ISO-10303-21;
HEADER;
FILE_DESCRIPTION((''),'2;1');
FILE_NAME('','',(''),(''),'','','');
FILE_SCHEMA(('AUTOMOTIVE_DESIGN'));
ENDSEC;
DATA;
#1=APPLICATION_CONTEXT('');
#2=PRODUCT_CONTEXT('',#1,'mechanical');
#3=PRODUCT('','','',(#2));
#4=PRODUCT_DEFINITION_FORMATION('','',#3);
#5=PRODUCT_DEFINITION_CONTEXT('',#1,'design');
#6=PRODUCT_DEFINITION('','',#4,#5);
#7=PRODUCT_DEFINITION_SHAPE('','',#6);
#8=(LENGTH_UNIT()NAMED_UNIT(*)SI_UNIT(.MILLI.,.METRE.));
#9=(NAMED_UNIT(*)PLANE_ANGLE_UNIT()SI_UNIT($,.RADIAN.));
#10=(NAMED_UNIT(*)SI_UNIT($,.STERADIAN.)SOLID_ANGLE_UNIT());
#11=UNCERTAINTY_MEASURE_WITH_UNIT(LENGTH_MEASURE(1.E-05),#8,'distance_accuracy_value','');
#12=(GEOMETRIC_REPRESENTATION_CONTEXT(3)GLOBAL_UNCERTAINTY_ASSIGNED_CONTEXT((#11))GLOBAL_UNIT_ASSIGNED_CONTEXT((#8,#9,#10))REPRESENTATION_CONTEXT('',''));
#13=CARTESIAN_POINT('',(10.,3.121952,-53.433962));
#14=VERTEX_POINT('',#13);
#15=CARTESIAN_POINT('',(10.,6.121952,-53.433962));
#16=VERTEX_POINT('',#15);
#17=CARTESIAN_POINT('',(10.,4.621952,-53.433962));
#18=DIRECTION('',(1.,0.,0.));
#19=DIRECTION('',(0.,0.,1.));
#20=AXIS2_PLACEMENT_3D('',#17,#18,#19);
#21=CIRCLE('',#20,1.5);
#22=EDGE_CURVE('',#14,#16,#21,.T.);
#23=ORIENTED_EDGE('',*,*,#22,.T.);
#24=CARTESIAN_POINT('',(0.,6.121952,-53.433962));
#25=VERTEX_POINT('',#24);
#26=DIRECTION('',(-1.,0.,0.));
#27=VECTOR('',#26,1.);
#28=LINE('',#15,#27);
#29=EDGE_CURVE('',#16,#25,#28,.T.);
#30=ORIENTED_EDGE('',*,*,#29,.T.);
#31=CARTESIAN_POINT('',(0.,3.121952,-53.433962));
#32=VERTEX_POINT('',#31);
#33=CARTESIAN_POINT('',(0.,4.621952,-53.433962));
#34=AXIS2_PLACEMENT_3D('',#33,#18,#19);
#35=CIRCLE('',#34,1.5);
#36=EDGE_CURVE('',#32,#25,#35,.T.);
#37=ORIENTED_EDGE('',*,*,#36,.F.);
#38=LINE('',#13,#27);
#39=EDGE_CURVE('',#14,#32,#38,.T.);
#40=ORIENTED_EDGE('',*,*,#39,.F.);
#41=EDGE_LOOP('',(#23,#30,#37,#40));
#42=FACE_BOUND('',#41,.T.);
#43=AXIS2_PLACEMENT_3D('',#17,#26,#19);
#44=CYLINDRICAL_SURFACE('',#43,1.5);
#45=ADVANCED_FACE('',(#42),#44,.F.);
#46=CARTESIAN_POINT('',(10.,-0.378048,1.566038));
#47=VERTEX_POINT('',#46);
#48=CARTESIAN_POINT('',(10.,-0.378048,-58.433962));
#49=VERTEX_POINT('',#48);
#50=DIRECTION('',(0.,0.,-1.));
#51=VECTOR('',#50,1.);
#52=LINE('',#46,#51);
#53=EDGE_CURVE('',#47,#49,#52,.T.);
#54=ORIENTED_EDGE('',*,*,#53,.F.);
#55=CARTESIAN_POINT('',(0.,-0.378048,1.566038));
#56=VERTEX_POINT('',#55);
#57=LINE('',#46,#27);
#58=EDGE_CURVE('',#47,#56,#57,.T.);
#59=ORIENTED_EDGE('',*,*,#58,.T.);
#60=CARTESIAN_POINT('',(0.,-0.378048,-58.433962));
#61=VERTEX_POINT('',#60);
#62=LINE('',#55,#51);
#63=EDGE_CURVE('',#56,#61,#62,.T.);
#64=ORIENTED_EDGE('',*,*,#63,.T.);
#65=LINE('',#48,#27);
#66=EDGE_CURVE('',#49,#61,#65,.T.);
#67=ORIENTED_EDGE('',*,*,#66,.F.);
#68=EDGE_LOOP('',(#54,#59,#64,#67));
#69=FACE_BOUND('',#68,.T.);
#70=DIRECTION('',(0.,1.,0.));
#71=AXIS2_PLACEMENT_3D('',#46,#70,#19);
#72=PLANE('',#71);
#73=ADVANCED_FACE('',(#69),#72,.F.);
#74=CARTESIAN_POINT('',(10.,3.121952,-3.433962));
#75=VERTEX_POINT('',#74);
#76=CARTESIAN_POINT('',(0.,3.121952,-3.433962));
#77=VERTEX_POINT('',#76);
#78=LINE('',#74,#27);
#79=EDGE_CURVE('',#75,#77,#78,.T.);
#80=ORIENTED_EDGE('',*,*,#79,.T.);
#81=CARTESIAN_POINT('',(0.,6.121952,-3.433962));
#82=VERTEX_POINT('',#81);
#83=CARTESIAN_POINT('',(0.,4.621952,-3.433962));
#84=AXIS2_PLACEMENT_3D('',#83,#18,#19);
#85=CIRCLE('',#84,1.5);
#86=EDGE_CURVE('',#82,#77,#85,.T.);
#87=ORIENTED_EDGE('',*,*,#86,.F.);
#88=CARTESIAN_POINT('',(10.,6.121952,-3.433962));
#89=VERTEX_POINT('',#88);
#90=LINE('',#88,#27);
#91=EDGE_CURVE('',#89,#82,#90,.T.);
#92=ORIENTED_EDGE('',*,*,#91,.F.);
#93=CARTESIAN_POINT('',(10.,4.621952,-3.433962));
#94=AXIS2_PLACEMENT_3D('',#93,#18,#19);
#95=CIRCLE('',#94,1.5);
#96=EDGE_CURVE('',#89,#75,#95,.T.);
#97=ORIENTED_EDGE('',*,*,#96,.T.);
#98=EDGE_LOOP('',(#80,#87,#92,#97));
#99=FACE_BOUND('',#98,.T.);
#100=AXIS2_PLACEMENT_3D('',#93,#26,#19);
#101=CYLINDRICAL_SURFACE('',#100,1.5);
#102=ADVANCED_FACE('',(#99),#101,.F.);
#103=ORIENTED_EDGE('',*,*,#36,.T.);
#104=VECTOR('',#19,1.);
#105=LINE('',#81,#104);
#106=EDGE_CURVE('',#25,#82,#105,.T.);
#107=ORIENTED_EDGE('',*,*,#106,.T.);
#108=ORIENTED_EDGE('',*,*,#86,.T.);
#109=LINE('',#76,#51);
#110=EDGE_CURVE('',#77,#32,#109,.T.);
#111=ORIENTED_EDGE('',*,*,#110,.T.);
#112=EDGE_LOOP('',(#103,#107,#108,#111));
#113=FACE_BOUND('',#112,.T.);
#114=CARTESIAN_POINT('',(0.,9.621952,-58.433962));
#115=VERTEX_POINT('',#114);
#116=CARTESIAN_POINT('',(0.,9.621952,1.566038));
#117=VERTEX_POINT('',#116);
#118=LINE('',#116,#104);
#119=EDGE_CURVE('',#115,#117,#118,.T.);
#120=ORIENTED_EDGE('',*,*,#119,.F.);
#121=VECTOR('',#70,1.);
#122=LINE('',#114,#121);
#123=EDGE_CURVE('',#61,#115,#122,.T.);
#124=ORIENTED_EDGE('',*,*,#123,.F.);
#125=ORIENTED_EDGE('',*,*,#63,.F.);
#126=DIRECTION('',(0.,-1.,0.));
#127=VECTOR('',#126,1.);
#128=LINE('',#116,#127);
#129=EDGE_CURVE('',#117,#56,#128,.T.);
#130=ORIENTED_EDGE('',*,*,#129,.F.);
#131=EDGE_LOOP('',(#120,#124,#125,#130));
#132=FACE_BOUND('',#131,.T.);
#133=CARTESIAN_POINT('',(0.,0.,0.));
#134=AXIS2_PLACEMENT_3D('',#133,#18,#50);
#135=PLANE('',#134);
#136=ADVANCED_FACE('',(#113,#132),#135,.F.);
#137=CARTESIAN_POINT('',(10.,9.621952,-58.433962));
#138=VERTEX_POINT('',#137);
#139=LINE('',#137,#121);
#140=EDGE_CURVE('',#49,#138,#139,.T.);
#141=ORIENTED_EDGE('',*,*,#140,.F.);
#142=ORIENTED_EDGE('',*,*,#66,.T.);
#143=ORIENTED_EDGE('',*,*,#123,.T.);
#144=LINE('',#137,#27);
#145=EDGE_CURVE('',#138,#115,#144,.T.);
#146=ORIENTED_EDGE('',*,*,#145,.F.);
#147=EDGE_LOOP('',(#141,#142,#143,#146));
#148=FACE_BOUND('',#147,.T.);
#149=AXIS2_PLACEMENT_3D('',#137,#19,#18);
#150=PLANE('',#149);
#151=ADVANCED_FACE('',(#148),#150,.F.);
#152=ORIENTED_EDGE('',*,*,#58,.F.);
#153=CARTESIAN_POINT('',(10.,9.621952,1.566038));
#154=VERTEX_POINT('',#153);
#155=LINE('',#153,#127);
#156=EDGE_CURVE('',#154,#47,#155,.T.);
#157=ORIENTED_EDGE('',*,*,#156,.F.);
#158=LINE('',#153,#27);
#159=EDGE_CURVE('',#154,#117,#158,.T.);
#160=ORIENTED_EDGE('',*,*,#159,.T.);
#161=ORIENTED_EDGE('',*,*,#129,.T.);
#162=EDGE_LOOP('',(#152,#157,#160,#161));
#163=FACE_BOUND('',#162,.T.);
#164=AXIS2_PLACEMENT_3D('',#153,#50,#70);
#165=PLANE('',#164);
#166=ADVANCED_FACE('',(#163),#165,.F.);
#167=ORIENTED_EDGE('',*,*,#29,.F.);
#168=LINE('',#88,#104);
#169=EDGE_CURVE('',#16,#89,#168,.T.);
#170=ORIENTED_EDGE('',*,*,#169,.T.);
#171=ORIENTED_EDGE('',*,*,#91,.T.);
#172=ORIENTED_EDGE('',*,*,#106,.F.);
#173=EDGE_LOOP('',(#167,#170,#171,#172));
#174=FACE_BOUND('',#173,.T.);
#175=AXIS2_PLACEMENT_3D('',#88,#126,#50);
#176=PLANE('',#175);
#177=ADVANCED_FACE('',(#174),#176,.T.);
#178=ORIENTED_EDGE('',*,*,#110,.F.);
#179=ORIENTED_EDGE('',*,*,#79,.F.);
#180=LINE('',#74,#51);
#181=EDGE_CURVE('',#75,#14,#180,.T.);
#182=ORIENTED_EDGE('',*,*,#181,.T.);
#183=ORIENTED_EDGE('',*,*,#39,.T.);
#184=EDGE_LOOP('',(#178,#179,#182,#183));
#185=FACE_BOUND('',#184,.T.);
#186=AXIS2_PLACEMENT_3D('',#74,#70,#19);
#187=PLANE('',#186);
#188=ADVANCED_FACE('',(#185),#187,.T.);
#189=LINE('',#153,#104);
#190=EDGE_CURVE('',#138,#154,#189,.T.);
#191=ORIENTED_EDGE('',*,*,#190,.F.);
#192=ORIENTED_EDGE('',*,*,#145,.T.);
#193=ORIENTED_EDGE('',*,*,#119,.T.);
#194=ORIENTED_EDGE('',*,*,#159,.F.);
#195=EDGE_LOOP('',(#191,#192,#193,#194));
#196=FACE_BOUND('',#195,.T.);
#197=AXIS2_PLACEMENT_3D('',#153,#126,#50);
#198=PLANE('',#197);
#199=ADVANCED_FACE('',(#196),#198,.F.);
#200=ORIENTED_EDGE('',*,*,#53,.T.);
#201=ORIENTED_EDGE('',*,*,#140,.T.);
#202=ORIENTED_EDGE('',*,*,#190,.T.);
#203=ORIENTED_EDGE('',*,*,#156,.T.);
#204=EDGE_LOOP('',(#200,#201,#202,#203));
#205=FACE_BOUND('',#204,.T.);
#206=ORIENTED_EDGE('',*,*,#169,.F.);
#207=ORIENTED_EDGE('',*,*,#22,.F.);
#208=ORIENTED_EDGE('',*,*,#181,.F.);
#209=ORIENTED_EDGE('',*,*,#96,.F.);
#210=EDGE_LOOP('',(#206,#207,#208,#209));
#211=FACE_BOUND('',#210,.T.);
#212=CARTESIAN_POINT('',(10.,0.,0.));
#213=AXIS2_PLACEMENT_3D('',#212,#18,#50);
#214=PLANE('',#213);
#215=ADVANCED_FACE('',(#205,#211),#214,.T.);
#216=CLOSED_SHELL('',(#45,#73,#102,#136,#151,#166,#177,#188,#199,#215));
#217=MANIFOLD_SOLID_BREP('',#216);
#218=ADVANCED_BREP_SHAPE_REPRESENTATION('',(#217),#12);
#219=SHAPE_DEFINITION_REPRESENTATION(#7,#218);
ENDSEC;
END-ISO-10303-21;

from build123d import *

# Parameters (mm, degrees)
SKETCH_1_W      = 60
SKETCH_1_H      = 10
EXTRUDE_1_DEPTH = 10


with BuildPart() as part:
    # 草图1 → 凸台-拉伸1 (new body)
    with BuildSketch(Plane(origin=(0, 0, 0), x_dir=(0, 0, -1), z_dir=(1, 0, 0))):
        with Locations((28.433962264, 4.621952123)):
            Rectangle(SKETCH_1_W, SKETCH_1_H)
        with BuildLine():
            Line((3.433962264, 6.121952123), (53.433962264, 6.121952123))
            ThreePointArc((53.433962264, 6.121952123), (54.933962264, 4.621952123), (53.433962264, 3.121952123))
            Line((53.433962264, 3.121952123), (3.433962264, 3.121952123))
            ThreePointArc((3.433962264, 3.121952123), (1.933962264, 4.621952123), (3.433962264, 6.121952123))
        make_face(mode=Mode.SUBTRACT)
    extrude(amount=EXTRUDE_1_DEPTH)


solid = part.part
